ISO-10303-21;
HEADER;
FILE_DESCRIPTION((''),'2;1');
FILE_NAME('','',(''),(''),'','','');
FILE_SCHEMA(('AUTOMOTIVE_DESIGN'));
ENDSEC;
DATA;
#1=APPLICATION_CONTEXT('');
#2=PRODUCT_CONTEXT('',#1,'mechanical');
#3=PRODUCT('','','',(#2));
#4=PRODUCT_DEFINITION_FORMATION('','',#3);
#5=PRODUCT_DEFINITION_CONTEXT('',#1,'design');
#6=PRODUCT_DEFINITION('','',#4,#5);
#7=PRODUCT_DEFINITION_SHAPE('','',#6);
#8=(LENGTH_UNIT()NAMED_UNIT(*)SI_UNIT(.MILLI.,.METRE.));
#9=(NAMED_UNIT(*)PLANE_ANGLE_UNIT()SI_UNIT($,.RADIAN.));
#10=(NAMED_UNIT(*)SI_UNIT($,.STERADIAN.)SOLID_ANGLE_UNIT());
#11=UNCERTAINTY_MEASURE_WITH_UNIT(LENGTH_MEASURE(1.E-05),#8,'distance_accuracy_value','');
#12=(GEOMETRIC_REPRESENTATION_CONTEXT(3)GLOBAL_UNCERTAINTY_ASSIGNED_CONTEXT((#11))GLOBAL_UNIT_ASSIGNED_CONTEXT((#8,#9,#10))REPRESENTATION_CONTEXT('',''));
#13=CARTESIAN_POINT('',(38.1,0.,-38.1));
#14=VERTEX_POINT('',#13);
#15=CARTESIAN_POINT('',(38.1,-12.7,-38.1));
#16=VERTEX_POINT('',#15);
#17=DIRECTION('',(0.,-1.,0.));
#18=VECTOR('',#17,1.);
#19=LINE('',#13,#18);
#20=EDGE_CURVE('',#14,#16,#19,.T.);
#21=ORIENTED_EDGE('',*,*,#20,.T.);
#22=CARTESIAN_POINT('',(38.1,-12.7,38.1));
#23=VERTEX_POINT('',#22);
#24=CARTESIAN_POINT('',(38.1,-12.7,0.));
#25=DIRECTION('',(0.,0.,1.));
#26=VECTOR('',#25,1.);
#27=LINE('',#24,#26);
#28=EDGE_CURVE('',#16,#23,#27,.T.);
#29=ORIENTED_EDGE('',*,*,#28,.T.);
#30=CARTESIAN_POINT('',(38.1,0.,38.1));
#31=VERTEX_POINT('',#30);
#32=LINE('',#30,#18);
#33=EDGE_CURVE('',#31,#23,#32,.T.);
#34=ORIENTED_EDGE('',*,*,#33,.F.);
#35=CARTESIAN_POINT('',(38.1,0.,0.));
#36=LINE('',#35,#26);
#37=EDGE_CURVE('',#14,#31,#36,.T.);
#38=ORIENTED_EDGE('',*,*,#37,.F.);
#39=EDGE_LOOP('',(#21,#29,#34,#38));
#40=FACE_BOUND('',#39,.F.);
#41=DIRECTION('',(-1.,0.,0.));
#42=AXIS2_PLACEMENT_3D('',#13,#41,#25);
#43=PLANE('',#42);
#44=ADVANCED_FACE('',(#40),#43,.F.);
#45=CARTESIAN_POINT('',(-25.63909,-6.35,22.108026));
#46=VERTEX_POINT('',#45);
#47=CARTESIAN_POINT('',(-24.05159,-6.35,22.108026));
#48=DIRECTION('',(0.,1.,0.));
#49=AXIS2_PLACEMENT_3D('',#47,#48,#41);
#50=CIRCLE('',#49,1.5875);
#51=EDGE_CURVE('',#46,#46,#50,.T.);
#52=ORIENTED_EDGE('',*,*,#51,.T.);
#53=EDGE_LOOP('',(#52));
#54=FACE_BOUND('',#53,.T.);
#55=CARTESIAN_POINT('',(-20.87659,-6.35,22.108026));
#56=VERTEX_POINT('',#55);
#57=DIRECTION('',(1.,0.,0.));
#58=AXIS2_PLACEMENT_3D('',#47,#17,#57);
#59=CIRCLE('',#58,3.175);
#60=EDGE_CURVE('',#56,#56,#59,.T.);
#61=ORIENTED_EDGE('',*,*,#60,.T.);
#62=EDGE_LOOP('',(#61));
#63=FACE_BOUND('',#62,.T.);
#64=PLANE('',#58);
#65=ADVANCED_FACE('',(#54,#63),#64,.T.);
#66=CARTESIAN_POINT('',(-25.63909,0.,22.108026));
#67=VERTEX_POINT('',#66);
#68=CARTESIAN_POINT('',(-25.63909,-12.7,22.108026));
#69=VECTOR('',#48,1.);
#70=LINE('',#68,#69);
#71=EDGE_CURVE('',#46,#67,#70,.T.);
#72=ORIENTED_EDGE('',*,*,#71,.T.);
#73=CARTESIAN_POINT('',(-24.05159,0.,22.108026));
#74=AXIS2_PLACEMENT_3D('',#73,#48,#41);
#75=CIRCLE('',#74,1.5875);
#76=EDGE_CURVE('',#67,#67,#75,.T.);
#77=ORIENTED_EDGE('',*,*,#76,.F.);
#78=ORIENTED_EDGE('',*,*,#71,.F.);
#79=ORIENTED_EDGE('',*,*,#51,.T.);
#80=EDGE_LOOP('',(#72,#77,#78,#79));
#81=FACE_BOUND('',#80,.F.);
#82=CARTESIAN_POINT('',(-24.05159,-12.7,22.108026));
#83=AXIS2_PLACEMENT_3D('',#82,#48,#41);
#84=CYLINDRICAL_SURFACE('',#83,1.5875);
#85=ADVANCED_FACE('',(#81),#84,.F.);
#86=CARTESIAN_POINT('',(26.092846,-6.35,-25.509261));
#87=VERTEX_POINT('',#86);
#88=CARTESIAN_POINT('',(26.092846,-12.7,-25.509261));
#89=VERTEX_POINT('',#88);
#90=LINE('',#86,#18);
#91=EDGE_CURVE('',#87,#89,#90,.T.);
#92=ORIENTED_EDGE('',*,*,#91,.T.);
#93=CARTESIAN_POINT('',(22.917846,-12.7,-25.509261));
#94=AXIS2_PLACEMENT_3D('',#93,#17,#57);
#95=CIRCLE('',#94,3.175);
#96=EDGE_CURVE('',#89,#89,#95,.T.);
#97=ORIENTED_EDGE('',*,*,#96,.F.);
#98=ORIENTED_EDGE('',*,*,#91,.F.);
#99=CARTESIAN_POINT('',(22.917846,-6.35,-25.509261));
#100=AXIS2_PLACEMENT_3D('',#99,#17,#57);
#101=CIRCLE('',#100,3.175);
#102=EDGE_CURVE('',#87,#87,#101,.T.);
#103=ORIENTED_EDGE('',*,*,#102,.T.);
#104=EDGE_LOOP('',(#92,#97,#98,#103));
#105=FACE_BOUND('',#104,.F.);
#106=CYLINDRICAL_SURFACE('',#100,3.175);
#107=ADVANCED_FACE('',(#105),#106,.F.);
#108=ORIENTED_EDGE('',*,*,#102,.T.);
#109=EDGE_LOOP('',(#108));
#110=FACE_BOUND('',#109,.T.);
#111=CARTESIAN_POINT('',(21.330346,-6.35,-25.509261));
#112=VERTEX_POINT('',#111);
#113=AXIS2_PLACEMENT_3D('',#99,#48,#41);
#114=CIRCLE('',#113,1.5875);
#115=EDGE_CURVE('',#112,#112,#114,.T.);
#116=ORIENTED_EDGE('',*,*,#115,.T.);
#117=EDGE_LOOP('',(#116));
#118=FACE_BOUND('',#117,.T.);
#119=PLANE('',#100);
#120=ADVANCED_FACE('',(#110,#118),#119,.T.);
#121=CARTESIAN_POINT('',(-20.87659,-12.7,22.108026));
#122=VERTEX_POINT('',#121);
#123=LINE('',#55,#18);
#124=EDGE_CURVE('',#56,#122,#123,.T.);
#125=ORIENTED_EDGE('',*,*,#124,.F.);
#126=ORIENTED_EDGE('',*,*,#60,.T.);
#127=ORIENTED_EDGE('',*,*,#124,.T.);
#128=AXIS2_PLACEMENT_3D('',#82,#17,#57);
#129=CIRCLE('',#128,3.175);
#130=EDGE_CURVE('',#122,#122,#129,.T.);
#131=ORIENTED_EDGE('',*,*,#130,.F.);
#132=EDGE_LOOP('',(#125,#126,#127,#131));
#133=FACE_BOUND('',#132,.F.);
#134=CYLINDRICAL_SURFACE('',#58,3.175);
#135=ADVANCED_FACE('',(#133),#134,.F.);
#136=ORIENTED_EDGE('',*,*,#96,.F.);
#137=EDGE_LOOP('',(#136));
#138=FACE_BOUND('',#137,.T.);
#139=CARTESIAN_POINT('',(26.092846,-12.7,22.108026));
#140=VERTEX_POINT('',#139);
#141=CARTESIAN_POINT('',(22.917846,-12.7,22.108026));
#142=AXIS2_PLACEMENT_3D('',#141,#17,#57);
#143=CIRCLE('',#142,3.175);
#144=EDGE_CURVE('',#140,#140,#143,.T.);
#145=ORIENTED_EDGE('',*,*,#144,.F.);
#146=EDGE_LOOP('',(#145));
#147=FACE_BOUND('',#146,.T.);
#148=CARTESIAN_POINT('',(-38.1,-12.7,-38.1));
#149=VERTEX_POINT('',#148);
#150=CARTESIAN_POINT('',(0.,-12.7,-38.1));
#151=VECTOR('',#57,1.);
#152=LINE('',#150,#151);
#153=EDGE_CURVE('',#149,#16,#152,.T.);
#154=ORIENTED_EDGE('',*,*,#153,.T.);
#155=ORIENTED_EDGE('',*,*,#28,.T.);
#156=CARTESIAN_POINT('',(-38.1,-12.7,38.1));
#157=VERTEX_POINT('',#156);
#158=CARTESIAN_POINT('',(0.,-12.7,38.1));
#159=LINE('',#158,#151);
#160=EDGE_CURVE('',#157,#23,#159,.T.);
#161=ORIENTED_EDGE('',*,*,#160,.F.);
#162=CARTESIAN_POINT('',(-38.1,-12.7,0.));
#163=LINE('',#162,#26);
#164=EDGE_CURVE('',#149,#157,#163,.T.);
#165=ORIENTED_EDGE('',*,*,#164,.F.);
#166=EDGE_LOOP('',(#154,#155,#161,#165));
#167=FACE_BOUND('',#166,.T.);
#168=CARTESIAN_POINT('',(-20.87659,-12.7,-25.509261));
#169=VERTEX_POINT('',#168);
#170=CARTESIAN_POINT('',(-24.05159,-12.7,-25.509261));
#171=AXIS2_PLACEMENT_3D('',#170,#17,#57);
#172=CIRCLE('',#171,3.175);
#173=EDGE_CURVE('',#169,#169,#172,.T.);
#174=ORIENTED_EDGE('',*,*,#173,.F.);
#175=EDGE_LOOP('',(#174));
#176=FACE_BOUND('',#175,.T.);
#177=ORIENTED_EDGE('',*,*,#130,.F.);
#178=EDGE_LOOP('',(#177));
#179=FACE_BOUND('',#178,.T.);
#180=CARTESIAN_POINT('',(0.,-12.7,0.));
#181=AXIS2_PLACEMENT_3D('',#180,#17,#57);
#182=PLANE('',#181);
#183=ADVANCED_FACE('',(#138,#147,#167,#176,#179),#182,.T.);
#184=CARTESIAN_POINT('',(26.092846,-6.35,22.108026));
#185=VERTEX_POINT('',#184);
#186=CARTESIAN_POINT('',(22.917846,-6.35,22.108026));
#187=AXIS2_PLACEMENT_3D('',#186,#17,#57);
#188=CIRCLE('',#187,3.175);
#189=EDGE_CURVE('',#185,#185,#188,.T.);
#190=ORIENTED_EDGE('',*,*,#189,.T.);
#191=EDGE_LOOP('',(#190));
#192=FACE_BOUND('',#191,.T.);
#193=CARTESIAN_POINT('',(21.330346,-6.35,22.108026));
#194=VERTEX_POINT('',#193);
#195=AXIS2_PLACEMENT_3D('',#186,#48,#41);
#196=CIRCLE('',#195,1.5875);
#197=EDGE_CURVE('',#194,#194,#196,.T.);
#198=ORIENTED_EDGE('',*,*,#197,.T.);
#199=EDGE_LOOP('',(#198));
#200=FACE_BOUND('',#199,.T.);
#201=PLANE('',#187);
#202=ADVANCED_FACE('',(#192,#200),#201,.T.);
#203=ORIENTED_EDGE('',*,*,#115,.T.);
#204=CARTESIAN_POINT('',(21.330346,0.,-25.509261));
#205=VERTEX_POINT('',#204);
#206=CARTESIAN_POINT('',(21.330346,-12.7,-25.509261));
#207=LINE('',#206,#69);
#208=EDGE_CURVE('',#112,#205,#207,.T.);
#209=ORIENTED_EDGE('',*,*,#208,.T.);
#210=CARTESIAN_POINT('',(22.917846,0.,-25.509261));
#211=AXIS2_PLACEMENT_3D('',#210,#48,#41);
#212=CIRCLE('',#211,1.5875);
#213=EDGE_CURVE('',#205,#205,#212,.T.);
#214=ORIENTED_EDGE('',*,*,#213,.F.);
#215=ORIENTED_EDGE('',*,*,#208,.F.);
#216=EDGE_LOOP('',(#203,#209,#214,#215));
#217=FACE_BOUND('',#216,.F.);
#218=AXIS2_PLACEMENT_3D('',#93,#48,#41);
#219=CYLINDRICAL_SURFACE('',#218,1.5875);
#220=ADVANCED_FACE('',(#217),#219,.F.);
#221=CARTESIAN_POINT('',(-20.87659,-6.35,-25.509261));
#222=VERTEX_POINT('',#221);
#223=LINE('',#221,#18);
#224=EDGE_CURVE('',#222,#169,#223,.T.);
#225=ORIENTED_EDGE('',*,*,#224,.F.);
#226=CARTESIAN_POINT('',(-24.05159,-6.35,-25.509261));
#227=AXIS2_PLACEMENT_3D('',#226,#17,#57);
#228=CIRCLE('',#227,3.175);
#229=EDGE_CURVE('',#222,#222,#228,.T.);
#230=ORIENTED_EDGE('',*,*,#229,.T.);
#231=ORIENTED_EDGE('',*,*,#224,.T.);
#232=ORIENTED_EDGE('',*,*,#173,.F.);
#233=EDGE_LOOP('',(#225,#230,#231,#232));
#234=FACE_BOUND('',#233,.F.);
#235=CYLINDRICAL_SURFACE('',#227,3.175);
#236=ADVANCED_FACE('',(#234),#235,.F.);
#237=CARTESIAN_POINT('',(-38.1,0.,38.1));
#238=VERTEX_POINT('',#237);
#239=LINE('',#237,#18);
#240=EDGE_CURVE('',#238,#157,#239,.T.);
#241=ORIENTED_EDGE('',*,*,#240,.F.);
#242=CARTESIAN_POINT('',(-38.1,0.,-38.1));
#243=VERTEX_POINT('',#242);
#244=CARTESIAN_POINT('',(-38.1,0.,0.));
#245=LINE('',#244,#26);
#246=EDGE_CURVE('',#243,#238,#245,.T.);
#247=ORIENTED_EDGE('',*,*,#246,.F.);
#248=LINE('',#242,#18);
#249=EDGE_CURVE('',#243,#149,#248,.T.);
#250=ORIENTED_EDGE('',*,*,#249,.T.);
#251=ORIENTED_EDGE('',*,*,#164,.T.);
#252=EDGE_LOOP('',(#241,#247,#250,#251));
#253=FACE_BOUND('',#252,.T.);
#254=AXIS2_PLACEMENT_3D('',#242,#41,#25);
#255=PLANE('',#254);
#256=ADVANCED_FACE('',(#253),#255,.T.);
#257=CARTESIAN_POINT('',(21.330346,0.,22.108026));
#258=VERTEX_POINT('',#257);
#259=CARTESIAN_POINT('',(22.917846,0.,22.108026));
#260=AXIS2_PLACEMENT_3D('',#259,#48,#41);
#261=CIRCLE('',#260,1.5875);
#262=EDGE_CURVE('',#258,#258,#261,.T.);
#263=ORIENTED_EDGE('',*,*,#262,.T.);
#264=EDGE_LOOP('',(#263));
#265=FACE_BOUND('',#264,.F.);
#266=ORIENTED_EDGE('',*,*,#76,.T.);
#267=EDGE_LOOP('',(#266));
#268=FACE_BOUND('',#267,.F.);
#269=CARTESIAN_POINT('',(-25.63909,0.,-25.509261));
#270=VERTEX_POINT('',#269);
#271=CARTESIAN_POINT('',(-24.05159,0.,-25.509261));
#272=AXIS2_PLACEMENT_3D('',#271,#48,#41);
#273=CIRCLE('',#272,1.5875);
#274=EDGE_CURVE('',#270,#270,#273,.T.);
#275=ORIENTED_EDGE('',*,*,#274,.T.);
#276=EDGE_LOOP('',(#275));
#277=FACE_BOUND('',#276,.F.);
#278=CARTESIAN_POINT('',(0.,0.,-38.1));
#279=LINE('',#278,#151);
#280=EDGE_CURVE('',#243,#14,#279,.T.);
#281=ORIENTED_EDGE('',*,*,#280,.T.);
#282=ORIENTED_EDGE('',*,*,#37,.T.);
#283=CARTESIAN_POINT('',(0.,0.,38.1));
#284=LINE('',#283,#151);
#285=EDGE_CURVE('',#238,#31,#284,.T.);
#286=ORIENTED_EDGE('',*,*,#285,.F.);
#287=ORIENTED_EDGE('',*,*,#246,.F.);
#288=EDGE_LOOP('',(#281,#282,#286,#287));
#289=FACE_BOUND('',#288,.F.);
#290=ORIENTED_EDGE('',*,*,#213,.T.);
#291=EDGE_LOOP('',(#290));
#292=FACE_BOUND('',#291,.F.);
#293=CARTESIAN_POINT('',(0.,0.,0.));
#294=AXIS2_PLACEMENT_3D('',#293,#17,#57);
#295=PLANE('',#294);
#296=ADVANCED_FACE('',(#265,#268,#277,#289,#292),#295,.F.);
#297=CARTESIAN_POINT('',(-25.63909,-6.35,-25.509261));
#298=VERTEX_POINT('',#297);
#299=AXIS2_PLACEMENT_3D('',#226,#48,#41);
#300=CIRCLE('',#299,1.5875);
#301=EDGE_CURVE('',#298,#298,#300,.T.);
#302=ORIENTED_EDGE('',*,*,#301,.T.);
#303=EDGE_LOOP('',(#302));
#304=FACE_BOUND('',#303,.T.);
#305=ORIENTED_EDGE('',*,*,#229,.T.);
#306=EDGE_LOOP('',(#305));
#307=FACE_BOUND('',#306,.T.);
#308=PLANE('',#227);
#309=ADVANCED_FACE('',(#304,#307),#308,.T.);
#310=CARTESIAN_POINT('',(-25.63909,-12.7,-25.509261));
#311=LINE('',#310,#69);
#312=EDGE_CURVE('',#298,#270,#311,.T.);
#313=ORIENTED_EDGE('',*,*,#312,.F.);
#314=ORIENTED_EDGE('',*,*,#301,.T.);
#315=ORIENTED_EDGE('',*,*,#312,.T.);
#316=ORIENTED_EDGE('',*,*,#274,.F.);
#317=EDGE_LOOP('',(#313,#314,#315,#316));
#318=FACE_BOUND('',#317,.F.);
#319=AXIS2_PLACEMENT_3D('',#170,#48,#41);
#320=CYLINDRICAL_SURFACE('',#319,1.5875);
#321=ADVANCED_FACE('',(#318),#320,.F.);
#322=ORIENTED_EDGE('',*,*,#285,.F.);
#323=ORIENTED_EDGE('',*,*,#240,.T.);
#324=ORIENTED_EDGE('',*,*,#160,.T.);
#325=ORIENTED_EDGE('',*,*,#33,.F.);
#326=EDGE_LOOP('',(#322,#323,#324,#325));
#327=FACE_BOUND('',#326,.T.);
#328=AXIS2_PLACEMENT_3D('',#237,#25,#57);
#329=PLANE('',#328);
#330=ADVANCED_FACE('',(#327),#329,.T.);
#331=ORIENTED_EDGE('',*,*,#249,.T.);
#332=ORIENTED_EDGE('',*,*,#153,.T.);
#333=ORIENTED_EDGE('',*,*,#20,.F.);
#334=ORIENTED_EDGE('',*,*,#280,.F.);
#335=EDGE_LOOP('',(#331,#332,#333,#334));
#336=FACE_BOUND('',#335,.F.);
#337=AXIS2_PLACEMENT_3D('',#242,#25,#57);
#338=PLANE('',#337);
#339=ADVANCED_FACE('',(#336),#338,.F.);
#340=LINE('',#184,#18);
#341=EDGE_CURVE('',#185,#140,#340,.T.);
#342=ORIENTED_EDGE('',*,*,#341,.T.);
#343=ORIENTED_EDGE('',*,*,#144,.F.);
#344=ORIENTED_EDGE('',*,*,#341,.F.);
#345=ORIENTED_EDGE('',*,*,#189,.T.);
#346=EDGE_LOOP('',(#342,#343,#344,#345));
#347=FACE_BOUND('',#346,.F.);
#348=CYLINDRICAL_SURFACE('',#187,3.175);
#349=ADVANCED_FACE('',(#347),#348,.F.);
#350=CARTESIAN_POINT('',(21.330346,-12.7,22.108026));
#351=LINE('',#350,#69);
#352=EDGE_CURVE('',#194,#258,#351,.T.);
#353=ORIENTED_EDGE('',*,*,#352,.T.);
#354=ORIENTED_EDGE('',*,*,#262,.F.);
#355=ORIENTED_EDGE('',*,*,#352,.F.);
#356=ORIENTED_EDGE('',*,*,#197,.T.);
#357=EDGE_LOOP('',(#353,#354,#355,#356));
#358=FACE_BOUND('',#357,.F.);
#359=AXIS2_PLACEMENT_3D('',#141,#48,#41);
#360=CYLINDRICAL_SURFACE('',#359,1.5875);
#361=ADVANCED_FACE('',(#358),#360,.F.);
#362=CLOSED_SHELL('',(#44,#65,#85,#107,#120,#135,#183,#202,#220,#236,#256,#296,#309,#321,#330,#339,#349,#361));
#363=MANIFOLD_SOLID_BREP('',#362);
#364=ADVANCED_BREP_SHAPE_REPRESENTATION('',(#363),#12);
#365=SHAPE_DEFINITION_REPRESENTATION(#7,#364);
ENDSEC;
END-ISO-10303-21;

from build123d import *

# Parameters (mm, degrees)
F0_W           = 76.2
F0_H           = 76.2
F1_DEPTH       = 12.7
F3_D           = 3.175
F3_CBORE_D     = 6.35
F3_CBORE_DEPTH = 6.35


with BuildPart() as f1:
    # F0 (on Front) → F1 (new body)
    with BuildSketch(Plane.XZ):
        Rectangle(F0_W, F0_H)
    extrude(amount=F1_DEPTH)

    # F3 (through all)
    with Locations(Plane.XZ.offset(12.7)):
        with Locations((-24.05159, 22.108026), (22.917846, 22.108026), (22.917846, -25.509261), (-24.05159, -25.509261)):
            CounterBoreHole(F3_D / 2, F3_CBORE_D / 2, F3_CBORE_DEPTH)


solid = f1.part
